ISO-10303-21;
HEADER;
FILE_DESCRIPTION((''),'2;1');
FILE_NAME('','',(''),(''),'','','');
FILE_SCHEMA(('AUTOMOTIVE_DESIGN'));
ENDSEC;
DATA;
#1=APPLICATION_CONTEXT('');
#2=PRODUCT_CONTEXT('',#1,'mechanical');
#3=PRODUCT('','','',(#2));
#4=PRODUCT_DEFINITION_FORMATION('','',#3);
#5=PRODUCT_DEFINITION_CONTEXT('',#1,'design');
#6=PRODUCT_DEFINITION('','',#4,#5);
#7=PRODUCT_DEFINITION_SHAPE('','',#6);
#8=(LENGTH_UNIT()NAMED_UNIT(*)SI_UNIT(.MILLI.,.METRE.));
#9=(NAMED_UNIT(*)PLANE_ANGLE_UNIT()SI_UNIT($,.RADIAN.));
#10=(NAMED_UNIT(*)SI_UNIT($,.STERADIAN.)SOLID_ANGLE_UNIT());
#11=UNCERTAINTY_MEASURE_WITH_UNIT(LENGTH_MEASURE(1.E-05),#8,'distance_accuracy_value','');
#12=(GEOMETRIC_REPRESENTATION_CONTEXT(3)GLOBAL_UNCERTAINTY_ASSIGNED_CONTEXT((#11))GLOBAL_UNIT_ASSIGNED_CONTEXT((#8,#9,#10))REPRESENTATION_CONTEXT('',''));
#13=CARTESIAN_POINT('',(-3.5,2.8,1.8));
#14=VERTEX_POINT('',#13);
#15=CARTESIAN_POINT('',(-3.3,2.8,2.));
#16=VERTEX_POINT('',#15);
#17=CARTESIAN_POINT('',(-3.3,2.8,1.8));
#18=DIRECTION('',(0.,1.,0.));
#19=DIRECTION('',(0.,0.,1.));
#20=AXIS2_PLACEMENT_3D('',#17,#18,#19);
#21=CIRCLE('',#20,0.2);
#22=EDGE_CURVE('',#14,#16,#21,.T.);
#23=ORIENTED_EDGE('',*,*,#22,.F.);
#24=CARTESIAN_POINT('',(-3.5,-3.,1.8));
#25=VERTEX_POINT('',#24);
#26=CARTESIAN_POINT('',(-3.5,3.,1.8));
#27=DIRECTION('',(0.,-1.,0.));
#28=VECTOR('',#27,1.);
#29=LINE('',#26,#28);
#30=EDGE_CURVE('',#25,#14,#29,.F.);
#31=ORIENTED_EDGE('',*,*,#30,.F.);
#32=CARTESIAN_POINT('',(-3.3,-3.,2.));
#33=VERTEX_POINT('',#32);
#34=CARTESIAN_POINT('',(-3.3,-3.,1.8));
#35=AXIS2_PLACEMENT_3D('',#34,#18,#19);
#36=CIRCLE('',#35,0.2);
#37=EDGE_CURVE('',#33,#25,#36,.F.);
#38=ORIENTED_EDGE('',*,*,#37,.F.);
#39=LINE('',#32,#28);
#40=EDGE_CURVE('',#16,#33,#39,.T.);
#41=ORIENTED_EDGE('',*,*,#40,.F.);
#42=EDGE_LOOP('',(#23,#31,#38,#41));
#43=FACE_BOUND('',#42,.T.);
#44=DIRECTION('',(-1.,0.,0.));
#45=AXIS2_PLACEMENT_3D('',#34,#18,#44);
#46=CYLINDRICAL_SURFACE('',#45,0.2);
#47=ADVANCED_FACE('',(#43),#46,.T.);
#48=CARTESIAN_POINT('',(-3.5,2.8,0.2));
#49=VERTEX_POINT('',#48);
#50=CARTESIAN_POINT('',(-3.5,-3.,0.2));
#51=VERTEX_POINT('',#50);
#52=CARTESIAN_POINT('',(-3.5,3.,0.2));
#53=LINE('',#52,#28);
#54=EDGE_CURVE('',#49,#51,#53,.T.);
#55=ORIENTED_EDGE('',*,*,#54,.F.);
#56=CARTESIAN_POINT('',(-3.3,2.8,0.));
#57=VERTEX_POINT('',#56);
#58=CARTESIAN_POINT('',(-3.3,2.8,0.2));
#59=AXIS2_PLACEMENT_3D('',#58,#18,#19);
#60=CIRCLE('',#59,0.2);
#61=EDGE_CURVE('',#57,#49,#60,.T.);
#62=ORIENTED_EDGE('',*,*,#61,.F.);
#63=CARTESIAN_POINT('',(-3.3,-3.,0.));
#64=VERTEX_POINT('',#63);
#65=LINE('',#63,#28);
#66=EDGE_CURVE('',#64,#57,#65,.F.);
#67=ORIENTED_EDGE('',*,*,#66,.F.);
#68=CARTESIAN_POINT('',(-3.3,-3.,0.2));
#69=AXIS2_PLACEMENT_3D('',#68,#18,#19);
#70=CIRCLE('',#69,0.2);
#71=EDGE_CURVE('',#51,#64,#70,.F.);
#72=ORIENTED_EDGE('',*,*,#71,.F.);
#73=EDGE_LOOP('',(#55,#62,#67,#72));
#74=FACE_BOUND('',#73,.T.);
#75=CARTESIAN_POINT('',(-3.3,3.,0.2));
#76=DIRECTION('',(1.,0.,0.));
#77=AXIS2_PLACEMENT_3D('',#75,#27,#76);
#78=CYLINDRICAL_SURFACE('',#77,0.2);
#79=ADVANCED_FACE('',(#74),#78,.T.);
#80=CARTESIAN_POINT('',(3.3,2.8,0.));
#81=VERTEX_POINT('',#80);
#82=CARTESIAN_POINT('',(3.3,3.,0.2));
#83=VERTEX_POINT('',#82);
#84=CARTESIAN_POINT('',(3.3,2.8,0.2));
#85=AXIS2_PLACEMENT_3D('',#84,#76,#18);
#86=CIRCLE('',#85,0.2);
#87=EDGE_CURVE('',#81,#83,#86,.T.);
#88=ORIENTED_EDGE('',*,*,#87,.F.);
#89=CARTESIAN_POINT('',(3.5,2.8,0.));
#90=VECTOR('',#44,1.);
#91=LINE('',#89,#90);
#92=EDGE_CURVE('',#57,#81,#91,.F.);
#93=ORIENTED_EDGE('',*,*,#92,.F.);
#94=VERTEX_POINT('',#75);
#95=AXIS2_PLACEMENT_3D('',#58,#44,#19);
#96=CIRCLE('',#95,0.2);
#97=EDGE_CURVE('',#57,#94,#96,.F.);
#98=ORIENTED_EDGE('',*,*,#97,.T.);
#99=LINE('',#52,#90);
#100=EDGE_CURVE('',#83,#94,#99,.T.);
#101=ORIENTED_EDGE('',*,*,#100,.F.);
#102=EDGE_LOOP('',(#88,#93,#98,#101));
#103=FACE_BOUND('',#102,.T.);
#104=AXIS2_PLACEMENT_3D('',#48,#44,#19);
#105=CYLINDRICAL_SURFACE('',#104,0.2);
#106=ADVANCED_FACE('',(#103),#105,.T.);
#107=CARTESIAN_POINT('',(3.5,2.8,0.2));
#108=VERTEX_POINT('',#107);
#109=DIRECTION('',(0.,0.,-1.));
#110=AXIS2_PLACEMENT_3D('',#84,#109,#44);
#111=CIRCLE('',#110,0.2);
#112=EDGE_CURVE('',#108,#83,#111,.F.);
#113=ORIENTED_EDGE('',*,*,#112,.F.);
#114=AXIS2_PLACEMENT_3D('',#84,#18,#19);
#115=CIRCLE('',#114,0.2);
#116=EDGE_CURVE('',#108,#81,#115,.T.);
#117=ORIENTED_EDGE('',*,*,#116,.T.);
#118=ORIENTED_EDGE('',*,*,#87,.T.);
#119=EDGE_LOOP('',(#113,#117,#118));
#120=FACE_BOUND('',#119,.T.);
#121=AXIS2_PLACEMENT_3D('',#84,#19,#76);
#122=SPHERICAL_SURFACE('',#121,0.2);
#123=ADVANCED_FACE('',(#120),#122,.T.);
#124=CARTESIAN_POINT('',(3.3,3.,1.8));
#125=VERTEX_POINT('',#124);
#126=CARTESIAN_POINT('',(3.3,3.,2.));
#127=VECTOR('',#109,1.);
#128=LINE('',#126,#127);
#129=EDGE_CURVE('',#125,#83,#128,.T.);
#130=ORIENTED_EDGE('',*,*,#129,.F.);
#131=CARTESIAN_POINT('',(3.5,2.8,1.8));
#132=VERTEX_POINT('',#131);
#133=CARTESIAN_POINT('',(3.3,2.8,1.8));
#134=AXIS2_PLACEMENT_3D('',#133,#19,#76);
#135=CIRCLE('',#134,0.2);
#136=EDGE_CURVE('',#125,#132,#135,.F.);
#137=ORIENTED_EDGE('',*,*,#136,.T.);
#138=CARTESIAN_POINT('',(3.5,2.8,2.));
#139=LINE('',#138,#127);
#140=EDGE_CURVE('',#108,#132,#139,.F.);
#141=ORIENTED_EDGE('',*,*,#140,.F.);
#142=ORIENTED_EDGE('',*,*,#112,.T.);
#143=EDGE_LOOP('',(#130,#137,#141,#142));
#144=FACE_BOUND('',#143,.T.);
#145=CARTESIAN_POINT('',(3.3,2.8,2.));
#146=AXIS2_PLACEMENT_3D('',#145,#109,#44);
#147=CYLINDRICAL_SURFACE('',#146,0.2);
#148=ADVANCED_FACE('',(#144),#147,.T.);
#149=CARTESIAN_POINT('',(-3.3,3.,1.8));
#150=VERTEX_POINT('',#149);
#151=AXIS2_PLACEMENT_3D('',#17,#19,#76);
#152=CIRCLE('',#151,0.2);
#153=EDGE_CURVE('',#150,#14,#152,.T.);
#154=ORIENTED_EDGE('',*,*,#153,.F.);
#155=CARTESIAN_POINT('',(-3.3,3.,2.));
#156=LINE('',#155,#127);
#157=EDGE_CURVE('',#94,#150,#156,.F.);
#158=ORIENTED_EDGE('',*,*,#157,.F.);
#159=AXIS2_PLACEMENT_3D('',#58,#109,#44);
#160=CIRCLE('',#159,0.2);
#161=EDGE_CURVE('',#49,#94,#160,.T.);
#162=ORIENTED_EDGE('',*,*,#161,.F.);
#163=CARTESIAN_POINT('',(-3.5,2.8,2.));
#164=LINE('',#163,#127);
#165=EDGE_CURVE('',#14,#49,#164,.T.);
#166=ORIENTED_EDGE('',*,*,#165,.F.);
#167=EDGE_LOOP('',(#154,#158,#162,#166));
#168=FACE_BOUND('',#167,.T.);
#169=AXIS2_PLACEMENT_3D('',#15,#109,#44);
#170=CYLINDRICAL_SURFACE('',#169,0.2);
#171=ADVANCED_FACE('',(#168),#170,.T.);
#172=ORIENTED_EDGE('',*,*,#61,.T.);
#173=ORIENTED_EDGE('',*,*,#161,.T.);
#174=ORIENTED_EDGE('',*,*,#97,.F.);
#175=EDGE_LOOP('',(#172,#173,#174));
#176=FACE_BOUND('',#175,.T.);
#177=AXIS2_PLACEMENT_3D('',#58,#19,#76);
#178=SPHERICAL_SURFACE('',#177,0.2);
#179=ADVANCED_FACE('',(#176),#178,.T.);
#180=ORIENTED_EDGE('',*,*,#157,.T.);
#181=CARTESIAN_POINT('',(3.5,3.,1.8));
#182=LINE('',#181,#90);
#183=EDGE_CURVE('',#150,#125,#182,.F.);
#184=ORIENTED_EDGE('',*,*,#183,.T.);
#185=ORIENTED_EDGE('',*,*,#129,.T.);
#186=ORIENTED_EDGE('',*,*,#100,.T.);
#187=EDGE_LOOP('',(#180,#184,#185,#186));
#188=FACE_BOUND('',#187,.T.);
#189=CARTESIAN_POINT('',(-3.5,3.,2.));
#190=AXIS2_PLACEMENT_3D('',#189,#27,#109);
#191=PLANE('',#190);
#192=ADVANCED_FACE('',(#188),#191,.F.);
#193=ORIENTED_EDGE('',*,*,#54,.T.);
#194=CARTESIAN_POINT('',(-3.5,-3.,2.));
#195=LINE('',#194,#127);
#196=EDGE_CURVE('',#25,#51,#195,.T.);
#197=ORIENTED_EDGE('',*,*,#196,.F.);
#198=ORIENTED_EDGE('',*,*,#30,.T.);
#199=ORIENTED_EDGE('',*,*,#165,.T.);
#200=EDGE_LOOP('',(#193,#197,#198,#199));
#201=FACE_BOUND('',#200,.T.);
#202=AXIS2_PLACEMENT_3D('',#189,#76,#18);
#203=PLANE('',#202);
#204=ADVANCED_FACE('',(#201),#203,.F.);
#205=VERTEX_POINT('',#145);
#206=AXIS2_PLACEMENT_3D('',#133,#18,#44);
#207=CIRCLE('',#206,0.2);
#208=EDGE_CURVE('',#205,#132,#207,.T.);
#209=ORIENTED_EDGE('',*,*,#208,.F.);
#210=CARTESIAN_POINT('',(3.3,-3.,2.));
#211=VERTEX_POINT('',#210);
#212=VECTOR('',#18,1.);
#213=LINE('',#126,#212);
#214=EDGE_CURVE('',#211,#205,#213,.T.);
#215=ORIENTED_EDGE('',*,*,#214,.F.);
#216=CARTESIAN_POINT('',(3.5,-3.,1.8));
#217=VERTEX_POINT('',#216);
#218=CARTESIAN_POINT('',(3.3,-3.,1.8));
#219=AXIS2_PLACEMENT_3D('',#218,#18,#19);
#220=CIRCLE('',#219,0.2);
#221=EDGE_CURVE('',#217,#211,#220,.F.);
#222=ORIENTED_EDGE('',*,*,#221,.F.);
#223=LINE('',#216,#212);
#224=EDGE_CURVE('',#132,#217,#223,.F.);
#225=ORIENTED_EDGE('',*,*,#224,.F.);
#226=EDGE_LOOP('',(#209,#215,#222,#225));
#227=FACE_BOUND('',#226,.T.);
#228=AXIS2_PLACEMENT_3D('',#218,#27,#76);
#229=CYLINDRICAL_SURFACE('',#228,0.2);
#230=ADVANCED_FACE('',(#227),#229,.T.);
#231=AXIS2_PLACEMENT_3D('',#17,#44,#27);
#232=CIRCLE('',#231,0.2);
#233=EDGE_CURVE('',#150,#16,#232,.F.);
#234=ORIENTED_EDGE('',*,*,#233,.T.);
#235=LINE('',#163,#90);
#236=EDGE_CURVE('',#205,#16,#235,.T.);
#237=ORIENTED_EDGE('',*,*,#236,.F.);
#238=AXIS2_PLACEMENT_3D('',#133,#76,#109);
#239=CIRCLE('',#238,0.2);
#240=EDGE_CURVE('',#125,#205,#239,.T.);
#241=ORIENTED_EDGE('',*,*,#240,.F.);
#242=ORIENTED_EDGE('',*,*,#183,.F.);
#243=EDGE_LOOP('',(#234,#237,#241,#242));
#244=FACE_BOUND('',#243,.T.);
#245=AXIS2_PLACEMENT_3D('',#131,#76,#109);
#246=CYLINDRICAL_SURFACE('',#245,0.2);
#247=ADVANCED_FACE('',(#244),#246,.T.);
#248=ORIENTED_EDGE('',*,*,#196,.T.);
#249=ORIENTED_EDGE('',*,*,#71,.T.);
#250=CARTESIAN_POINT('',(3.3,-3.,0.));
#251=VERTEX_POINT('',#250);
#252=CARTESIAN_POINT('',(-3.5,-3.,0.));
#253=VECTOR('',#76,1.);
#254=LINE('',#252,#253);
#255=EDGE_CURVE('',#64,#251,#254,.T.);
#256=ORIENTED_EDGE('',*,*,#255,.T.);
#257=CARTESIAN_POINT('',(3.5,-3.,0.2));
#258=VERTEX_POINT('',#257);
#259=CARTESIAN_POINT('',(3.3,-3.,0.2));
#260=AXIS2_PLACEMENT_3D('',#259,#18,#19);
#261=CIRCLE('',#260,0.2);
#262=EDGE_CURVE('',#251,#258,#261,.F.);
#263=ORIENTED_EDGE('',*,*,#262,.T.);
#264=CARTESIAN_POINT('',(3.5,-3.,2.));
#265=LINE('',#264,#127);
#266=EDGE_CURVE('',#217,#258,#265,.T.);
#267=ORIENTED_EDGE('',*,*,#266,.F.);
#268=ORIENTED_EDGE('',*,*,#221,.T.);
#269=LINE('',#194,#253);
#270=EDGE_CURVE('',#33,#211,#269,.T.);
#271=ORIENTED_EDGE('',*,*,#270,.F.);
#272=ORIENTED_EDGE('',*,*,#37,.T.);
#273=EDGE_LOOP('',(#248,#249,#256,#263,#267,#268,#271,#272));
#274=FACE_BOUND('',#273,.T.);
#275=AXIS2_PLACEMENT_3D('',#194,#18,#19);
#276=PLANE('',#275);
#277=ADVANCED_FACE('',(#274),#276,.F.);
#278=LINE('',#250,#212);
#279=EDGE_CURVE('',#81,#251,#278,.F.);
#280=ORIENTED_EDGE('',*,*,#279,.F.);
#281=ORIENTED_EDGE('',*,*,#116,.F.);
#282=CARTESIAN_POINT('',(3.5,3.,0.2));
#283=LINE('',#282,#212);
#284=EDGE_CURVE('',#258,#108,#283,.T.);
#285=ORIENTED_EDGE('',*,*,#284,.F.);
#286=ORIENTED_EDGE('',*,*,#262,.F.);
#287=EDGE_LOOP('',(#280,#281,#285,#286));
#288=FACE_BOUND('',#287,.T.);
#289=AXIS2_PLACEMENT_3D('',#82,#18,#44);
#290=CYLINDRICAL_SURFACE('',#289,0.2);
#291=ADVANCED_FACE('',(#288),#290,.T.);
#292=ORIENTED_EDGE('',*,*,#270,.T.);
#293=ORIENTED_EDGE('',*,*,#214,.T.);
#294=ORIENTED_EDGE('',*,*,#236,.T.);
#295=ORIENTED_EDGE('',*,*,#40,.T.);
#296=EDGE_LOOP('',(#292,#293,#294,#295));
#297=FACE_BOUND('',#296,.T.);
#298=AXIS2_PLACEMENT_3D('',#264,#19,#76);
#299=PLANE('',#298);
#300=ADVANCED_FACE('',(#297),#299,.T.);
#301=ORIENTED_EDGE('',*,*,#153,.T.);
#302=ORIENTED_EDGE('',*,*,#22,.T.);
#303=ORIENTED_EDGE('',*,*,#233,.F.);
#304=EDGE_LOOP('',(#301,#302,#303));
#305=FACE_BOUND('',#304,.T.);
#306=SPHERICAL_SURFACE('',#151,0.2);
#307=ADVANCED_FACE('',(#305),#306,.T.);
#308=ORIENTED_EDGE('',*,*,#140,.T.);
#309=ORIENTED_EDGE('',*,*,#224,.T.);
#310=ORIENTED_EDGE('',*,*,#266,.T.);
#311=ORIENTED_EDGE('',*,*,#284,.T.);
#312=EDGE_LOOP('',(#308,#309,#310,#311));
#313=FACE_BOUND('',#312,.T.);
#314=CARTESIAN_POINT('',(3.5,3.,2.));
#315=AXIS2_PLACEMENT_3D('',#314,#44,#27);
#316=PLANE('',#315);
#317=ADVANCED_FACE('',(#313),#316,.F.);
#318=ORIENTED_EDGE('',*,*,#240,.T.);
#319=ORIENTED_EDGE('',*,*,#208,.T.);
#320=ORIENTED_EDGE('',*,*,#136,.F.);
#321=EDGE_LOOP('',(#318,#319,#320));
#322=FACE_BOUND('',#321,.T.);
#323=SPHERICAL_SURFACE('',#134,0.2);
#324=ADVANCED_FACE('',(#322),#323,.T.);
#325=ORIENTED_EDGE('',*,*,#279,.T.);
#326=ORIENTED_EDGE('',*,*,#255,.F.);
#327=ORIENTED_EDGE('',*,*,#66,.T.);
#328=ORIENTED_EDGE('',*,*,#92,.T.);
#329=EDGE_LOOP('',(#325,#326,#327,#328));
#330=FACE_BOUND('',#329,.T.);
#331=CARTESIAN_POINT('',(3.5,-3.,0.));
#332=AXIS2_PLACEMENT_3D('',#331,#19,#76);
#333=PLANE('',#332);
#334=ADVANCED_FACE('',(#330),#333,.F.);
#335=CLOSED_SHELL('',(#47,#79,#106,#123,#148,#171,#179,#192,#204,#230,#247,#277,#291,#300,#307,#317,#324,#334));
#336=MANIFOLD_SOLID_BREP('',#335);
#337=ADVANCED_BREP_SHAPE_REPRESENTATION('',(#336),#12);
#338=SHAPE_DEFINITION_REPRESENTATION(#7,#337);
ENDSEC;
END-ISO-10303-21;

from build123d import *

# Parameters (mm, degrees)
SKETCH_1_W      = 7
SKETCH_1_H      = 6
EXTRUDE_1_DEPTH = 2
FILLET_1_R      = 0.2


with BuildPart() as part:
    # 草圖1 → 伸長1 (new body)
    with BuildSketch(Plane.XY):
        Rectangle(SKETCH_1_W, SKETCH_1_H)
    extrude(amount=EXTRUDE_1_DEPTH)

    # 圓角1
    fillet_1_edges = [part.edges().sort_by_distance(p)[0] for p in [
        (-3.5, 0, 2),
        (3.5, 0, 2),
        (-3.5, 0, 0),
        (0, 3, 0),
        (3.5, 0, 0),
        (0, 3, 2),
        (-3.5, 3, 1),
        (3.5, 3, 1),
    ]]
    fillet(fillet_1_edges, radius=FILLET_1_R)


solid = part.part
